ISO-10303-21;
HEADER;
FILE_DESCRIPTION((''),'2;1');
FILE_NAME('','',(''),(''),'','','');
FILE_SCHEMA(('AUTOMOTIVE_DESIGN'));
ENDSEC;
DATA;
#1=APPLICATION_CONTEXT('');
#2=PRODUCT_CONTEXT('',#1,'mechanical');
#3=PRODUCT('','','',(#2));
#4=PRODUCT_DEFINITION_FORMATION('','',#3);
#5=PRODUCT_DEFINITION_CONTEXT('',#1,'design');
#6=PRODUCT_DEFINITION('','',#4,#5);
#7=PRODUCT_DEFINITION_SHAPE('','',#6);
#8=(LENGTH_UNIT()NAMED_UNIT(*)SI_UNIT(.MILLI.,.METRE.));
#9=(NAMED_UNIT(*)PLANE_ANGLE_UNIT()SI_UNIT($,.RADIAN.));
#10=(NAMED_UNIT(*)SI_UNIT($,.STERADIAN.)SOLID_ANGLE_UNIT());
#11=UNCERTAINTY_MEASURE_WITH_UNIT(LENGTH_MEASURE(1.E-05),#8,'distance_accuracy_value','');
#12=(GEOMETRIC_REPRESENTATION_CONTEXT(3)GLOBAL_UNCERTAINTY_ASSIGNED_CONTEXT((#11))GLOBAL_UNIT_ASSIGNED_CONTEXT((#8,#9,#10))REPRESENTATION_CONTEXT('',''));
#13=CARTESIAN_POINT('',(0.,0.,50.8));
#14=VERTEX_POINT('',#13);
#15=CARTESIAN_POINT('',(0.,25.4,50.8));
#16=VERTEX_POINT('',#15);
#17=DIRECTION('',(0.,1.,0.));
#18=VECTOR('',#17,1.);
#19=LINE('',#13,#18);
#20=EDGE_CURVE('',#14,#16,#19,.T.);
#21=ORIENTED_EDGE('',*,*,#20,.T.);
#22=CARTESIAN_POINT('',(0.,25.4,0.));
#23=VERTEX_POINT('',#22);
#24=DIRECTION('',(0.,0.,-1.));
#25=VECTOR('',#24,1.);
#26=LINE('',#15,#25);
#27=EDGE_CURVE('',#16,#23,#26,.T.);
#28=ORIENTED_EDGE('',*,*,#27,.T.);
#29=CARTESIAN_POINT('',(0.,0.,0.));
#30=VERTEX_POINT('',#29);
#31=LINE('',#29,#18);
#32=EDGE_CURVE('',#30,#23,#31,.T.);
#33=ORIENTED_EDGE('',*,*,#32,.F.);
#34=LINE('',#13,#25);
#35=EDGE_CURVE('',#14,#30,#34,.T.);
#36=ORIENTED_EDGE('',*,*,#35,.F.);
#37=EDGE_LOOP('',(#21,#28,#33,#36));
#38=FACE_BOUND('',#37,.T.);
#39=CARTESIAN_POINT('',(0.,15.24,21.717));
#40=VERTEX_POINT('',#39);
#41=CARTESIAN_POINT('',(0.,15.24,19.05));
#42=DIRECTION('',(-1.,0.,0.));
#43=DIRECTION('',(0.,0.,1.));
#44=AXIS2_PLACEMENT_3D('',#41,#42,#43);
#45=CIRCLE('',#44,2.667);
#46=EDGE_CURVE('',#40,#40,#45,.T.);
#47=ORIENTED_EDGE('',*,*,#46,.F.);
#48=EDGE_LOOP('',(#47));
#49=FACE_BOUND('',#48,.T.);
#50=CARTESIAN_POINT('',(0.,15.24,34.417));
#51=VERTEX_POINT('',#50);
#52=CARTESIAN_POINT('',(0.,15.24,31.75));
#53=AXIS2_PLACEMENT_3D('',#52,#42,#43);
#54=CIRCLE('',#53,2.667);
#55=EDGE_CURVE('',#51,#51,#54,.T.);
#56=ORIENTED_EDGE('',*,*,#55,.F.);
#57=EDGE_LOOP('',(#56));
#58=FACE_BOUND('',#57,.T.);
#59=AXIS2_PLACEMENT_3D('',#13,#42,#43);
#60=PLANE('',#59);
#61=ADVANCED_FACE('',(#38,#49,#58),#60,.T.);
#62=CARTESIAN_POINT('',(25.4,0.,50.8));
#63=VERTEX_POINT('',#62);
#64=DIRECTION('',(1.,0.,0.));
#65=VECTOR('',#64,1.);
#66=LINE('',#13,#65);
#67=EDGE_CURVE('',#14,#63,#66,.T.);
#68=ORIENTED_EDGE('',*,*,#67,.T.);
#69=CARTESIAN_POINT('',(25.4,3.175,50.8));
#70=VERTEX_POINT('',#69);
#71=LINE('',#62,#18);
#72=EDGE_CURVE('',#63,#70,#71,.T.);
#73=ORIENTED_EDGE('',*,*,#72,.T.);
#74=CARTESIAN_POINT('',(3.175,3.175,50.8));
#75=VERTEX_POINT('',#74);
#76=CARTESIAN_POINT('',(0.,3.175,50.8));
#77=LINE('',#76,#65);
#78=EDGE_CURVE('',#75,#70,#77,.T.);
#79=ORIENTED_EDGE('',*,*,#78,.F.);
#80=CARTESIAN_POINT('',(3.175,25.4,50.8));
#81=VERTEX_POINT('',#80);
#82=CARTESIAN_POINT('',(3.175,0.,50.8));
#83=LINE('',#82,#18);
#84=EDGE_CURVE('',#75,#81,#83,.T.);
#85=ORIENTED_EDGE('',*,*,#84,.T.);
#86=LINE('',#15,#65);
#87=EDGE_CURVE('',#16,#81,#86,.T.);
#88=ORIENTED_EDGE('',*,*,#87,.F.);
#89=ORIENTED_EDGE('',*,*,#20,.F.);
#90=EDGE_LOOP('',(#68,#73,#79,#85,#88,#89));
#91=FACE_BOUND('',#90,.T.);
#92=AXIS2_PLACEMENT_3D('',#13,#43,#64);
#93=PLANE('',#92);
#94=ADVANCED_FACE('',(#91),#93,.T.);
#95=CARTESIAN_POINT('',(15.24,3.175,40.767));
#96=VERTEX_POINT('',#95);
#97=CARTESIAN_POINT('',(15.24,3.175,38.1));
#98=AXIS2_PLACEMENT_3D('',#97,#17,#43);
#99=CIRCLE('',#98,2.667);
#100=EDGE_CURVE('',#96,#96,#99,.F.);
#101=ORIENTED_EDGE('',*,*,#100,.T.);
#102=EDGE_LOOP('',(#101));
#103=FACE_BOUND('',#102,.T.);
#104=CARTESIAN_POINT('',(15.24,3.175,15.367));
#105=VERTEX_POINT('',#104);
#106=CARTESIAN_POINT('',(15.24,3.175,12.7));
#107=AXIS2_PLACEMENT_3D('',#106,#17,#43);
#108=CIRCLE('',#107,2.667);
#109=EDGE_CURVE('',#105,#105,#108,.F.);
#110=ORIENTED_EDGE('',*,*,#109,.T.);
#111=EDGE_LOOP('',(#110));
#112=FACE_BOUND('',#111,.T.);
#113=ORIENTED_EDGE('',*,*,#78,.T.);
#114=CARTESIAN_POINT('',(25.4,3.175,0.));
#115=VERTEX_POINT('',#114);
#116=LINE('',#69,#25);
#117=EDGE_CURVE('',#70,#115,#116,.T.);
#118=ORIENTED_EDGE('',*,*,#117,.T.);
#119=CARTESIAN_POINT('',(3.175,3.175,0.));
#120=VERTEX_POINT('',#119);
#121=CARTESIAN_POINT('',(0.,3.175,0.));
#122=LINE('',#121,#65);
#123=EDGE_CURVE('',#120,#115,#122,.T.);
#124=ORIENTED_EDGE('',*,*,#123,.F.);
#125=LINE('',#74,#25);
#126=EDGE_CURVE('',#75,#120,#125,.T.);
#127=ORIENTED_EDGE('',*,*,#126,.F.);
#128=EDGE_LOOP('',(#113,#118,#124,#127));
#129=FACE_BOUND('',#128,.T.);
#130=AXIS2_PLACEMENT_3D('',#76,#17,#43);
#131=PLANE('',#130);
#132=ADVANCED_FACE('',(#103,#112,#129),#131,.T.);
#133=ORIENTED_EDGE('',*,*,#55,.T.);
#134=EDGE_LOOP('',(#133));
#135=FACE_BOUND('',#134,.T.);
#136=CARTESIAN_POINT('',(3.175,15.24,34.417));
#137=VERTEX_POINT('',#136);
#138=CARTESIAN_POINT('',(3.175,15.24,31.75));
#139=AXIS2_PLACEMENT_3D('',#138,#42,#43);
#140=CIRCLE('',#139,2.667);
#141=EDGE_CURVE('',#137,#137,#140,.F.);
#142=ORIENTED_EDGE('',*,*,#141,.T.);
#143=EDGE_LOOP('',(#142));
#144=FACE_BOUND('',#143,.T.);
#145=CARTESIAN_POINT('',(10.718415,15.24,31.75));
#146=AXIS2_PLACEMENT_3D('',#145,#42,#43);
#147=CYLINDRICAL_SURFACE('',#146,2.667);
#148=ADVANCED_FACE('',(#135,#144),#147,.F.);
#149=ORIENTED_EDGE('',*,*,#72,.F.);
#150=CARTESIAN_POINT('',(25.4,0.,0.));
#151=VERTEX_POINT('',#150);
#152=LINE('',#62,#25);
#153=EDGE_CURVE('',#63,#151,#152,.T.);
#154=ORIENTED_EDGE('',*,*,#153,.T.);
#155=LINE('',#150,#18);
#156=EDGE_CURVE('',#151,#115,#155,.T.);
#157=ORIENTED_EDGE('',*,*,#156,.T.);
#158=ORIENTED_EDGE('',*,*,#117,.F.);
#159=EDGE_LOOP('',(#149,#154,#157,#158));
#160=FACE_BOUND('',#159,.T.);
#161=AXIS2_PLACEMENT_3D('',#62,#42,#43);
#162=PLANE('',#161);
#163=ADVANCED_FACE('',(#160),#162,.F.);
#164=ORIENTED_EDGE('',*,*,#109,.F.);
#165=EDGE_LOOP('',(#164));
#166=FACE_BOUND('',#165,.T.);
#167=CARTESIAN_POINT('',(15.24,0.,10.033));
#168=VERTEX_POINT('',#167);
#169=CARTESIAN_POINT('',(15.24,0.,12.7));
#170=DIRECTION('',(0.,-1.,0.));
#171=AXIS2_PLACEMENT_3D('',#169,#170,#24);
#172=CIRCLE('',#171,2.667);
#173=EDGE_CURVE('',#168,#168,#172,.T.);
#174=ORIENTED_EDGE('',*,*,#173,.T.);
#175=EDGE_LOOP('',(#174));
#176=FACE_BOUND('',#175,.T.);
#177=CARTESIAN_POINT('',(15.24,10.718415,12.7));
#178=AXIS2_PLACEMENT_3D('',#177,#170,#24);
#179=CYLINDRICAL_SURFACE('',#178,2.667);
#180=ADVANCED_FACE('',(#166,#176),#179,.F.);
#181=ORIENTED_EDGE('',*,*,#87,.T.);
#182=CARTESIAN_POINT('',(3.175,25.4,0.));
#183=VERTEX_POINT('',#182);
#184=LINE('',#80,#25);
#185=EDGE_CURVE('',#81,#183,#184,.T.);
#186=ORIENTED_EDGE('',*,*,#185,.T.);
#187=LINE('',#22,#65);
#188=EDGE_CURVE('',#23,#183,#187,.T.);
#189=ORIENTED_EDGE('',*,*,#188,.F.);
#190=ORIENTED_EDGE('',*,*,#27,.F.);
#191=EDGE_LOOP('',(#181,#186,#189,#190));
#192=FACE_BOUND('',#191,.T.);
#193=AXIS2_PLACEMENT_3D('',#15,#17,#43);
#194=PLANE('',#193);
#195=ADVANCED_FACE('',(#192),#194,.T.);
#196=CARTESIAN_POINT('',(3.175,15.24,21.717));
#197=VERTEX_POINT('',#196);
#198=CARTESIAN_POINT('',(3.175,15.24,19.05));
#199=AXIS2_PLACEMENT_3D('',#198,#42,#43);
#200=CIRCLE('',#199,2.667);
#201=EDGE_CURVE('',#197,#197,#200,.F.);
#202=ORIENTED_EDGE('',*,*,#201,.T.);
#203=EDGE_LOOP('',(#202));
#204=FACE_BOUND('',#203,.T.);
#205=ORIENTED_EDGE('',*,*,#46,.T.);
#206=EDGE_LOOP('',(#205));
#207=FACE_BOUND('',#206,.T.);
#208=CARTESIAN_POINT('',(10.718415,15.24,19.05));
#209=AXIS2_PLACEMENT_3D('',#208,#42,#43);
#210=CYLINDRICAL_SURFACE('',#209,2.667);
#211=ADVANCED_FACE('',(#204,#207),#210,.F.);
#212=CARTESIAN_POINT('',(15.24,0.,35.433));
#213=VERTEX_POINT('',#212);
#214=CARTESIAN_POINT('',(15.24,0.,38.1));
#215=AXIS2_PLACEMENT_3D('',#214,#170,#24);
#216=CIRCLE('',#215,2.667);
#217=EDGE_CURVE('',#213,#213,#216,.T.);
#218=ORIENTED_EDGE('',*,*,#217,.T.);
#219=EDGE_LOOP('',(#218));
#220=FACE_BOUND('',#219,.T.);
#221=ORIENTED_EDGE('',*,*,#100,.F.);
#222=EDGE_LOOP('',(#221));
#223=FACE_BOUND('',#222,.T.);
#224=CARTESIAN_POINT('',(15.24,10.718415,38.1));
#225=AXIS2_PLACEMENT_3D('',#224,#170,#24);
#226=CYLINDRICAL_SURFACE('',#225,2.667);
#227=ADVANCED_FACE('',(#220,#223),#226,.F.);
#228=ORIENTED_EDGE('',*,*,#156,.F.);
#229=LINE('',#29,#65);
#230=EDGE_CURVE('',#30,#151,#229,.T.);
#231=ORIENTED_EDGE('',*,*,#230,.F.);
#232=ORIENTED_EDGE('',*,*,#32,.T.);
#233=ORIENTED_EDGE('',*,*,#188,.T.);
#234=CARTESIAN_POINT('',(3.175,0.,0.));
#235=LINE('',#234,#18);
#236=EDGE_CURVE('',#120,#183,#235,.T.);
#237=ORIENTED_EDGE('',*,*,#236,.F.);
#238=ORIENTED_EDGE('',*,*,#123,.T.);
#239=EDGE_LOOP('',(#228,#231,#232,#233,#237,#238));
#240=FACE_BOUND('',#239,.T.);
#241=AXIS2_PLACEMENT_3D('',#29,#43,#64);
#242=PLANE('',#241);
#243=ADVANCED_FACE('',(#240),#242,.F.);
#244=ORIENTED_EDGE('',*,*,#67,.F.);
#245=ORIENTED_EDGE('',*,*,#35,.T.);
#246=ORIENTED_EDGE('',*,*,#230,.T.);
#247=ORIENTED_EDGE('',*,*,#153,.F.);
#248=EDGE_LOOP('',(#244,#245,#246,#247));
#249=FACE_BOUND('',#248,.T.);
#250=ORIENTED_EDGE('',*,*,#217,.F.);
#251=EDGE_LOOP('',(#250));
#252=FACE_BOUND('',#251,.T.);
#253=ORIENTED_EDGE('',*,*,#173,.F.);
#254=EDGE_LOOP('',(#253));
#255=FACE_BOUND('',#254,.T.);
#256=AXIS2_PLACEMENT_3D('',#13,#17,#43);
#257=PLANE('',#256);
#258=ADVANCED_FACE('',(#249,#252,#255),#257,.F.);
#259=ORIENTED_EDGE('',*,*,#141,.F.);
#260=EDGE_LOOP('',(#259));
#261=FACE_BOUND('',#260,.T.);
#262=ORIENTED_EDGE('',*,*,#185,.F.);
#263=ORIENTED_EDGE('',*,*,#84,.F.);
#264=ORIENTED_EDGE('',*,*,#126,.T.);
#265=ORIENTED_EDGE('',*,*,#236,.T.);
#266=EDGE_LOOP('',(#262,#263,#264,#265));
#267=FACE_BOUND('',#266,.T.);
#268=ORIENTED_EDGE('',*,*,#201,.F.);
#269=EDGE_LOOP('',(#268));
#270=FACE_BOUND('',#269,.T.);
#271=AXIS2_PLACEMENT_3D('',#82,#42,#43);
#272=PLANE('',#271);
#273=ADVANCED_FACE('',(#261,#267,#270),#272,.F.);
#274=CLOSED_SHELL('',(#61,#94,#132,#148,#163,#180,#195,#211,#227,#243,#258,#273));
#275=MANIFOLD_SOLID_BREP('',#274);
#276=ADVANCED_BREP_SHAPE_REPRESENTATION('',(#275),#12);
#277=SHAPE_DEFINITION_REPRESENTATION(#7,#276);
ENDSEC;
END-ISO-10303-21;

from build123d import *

# Parameters (mm, degrees)
SKETCH2_W           = 22.225
SKETCH2_H           = 3.175
SKETCH2_W_2         = 3.175
SKETCH2_H_2         = 22.225
BOSS_EXTRUDE1_DEPTH = 50.8
SKETCH3_R           = 2.667
CUT_EXTRUDE1_DEPTH  = 3.175
SKETCH4_R           = 2.667
CUT_EXTRUDE2_DEPTH  = 3.175


with BuildPart() as part:
    # Sketch2 → Boss-Extrude1 (new body)
    with BuildSketch(Plane.XY):
        with Locations((14.2875, 1.5875)):
            Rectangle(SKETCH2_W, SKETCH2_H)
        with Locations((1.5875, 1.5875)):
            Rectangle(SKETCH2_W_2, SKETCH2_H)
        with Locations((1.5875, 14.2875)):
            Rectangle(SKETCH2_W_2, SKETCH2_H_2)
    extrude(amount=BOSS_EXTRUDE1_DEPTH)

    # Sketch3 → Cut-Extrude1 (cut)
    with BuildSketch(Plane.ZY):
        with Locations((19.05, 15.24)):
            Circle(SKETCH3_R)
        with Locations((31.75, 15.24)):
            Circle(SKETCH3_R)
    extrude(amount=-CUT_EXTRUDE1_DEPTH, mode=Mode.SUBTRACT)

    # Sketch4 → Cut-Extrude2 (cut)
    with BuildSketch(Plane.XZ):
        with Locations((15.24, 38.1)):
            Circle(SKETCH4_R)
        with Locations((15.24, 12.7)):
            Circle(SKETCH4_R)
    extrude(amount=-CUT_EXTRUDE2_DEPTH, mode=Mode.SUBTRACT)


solid = part.part
